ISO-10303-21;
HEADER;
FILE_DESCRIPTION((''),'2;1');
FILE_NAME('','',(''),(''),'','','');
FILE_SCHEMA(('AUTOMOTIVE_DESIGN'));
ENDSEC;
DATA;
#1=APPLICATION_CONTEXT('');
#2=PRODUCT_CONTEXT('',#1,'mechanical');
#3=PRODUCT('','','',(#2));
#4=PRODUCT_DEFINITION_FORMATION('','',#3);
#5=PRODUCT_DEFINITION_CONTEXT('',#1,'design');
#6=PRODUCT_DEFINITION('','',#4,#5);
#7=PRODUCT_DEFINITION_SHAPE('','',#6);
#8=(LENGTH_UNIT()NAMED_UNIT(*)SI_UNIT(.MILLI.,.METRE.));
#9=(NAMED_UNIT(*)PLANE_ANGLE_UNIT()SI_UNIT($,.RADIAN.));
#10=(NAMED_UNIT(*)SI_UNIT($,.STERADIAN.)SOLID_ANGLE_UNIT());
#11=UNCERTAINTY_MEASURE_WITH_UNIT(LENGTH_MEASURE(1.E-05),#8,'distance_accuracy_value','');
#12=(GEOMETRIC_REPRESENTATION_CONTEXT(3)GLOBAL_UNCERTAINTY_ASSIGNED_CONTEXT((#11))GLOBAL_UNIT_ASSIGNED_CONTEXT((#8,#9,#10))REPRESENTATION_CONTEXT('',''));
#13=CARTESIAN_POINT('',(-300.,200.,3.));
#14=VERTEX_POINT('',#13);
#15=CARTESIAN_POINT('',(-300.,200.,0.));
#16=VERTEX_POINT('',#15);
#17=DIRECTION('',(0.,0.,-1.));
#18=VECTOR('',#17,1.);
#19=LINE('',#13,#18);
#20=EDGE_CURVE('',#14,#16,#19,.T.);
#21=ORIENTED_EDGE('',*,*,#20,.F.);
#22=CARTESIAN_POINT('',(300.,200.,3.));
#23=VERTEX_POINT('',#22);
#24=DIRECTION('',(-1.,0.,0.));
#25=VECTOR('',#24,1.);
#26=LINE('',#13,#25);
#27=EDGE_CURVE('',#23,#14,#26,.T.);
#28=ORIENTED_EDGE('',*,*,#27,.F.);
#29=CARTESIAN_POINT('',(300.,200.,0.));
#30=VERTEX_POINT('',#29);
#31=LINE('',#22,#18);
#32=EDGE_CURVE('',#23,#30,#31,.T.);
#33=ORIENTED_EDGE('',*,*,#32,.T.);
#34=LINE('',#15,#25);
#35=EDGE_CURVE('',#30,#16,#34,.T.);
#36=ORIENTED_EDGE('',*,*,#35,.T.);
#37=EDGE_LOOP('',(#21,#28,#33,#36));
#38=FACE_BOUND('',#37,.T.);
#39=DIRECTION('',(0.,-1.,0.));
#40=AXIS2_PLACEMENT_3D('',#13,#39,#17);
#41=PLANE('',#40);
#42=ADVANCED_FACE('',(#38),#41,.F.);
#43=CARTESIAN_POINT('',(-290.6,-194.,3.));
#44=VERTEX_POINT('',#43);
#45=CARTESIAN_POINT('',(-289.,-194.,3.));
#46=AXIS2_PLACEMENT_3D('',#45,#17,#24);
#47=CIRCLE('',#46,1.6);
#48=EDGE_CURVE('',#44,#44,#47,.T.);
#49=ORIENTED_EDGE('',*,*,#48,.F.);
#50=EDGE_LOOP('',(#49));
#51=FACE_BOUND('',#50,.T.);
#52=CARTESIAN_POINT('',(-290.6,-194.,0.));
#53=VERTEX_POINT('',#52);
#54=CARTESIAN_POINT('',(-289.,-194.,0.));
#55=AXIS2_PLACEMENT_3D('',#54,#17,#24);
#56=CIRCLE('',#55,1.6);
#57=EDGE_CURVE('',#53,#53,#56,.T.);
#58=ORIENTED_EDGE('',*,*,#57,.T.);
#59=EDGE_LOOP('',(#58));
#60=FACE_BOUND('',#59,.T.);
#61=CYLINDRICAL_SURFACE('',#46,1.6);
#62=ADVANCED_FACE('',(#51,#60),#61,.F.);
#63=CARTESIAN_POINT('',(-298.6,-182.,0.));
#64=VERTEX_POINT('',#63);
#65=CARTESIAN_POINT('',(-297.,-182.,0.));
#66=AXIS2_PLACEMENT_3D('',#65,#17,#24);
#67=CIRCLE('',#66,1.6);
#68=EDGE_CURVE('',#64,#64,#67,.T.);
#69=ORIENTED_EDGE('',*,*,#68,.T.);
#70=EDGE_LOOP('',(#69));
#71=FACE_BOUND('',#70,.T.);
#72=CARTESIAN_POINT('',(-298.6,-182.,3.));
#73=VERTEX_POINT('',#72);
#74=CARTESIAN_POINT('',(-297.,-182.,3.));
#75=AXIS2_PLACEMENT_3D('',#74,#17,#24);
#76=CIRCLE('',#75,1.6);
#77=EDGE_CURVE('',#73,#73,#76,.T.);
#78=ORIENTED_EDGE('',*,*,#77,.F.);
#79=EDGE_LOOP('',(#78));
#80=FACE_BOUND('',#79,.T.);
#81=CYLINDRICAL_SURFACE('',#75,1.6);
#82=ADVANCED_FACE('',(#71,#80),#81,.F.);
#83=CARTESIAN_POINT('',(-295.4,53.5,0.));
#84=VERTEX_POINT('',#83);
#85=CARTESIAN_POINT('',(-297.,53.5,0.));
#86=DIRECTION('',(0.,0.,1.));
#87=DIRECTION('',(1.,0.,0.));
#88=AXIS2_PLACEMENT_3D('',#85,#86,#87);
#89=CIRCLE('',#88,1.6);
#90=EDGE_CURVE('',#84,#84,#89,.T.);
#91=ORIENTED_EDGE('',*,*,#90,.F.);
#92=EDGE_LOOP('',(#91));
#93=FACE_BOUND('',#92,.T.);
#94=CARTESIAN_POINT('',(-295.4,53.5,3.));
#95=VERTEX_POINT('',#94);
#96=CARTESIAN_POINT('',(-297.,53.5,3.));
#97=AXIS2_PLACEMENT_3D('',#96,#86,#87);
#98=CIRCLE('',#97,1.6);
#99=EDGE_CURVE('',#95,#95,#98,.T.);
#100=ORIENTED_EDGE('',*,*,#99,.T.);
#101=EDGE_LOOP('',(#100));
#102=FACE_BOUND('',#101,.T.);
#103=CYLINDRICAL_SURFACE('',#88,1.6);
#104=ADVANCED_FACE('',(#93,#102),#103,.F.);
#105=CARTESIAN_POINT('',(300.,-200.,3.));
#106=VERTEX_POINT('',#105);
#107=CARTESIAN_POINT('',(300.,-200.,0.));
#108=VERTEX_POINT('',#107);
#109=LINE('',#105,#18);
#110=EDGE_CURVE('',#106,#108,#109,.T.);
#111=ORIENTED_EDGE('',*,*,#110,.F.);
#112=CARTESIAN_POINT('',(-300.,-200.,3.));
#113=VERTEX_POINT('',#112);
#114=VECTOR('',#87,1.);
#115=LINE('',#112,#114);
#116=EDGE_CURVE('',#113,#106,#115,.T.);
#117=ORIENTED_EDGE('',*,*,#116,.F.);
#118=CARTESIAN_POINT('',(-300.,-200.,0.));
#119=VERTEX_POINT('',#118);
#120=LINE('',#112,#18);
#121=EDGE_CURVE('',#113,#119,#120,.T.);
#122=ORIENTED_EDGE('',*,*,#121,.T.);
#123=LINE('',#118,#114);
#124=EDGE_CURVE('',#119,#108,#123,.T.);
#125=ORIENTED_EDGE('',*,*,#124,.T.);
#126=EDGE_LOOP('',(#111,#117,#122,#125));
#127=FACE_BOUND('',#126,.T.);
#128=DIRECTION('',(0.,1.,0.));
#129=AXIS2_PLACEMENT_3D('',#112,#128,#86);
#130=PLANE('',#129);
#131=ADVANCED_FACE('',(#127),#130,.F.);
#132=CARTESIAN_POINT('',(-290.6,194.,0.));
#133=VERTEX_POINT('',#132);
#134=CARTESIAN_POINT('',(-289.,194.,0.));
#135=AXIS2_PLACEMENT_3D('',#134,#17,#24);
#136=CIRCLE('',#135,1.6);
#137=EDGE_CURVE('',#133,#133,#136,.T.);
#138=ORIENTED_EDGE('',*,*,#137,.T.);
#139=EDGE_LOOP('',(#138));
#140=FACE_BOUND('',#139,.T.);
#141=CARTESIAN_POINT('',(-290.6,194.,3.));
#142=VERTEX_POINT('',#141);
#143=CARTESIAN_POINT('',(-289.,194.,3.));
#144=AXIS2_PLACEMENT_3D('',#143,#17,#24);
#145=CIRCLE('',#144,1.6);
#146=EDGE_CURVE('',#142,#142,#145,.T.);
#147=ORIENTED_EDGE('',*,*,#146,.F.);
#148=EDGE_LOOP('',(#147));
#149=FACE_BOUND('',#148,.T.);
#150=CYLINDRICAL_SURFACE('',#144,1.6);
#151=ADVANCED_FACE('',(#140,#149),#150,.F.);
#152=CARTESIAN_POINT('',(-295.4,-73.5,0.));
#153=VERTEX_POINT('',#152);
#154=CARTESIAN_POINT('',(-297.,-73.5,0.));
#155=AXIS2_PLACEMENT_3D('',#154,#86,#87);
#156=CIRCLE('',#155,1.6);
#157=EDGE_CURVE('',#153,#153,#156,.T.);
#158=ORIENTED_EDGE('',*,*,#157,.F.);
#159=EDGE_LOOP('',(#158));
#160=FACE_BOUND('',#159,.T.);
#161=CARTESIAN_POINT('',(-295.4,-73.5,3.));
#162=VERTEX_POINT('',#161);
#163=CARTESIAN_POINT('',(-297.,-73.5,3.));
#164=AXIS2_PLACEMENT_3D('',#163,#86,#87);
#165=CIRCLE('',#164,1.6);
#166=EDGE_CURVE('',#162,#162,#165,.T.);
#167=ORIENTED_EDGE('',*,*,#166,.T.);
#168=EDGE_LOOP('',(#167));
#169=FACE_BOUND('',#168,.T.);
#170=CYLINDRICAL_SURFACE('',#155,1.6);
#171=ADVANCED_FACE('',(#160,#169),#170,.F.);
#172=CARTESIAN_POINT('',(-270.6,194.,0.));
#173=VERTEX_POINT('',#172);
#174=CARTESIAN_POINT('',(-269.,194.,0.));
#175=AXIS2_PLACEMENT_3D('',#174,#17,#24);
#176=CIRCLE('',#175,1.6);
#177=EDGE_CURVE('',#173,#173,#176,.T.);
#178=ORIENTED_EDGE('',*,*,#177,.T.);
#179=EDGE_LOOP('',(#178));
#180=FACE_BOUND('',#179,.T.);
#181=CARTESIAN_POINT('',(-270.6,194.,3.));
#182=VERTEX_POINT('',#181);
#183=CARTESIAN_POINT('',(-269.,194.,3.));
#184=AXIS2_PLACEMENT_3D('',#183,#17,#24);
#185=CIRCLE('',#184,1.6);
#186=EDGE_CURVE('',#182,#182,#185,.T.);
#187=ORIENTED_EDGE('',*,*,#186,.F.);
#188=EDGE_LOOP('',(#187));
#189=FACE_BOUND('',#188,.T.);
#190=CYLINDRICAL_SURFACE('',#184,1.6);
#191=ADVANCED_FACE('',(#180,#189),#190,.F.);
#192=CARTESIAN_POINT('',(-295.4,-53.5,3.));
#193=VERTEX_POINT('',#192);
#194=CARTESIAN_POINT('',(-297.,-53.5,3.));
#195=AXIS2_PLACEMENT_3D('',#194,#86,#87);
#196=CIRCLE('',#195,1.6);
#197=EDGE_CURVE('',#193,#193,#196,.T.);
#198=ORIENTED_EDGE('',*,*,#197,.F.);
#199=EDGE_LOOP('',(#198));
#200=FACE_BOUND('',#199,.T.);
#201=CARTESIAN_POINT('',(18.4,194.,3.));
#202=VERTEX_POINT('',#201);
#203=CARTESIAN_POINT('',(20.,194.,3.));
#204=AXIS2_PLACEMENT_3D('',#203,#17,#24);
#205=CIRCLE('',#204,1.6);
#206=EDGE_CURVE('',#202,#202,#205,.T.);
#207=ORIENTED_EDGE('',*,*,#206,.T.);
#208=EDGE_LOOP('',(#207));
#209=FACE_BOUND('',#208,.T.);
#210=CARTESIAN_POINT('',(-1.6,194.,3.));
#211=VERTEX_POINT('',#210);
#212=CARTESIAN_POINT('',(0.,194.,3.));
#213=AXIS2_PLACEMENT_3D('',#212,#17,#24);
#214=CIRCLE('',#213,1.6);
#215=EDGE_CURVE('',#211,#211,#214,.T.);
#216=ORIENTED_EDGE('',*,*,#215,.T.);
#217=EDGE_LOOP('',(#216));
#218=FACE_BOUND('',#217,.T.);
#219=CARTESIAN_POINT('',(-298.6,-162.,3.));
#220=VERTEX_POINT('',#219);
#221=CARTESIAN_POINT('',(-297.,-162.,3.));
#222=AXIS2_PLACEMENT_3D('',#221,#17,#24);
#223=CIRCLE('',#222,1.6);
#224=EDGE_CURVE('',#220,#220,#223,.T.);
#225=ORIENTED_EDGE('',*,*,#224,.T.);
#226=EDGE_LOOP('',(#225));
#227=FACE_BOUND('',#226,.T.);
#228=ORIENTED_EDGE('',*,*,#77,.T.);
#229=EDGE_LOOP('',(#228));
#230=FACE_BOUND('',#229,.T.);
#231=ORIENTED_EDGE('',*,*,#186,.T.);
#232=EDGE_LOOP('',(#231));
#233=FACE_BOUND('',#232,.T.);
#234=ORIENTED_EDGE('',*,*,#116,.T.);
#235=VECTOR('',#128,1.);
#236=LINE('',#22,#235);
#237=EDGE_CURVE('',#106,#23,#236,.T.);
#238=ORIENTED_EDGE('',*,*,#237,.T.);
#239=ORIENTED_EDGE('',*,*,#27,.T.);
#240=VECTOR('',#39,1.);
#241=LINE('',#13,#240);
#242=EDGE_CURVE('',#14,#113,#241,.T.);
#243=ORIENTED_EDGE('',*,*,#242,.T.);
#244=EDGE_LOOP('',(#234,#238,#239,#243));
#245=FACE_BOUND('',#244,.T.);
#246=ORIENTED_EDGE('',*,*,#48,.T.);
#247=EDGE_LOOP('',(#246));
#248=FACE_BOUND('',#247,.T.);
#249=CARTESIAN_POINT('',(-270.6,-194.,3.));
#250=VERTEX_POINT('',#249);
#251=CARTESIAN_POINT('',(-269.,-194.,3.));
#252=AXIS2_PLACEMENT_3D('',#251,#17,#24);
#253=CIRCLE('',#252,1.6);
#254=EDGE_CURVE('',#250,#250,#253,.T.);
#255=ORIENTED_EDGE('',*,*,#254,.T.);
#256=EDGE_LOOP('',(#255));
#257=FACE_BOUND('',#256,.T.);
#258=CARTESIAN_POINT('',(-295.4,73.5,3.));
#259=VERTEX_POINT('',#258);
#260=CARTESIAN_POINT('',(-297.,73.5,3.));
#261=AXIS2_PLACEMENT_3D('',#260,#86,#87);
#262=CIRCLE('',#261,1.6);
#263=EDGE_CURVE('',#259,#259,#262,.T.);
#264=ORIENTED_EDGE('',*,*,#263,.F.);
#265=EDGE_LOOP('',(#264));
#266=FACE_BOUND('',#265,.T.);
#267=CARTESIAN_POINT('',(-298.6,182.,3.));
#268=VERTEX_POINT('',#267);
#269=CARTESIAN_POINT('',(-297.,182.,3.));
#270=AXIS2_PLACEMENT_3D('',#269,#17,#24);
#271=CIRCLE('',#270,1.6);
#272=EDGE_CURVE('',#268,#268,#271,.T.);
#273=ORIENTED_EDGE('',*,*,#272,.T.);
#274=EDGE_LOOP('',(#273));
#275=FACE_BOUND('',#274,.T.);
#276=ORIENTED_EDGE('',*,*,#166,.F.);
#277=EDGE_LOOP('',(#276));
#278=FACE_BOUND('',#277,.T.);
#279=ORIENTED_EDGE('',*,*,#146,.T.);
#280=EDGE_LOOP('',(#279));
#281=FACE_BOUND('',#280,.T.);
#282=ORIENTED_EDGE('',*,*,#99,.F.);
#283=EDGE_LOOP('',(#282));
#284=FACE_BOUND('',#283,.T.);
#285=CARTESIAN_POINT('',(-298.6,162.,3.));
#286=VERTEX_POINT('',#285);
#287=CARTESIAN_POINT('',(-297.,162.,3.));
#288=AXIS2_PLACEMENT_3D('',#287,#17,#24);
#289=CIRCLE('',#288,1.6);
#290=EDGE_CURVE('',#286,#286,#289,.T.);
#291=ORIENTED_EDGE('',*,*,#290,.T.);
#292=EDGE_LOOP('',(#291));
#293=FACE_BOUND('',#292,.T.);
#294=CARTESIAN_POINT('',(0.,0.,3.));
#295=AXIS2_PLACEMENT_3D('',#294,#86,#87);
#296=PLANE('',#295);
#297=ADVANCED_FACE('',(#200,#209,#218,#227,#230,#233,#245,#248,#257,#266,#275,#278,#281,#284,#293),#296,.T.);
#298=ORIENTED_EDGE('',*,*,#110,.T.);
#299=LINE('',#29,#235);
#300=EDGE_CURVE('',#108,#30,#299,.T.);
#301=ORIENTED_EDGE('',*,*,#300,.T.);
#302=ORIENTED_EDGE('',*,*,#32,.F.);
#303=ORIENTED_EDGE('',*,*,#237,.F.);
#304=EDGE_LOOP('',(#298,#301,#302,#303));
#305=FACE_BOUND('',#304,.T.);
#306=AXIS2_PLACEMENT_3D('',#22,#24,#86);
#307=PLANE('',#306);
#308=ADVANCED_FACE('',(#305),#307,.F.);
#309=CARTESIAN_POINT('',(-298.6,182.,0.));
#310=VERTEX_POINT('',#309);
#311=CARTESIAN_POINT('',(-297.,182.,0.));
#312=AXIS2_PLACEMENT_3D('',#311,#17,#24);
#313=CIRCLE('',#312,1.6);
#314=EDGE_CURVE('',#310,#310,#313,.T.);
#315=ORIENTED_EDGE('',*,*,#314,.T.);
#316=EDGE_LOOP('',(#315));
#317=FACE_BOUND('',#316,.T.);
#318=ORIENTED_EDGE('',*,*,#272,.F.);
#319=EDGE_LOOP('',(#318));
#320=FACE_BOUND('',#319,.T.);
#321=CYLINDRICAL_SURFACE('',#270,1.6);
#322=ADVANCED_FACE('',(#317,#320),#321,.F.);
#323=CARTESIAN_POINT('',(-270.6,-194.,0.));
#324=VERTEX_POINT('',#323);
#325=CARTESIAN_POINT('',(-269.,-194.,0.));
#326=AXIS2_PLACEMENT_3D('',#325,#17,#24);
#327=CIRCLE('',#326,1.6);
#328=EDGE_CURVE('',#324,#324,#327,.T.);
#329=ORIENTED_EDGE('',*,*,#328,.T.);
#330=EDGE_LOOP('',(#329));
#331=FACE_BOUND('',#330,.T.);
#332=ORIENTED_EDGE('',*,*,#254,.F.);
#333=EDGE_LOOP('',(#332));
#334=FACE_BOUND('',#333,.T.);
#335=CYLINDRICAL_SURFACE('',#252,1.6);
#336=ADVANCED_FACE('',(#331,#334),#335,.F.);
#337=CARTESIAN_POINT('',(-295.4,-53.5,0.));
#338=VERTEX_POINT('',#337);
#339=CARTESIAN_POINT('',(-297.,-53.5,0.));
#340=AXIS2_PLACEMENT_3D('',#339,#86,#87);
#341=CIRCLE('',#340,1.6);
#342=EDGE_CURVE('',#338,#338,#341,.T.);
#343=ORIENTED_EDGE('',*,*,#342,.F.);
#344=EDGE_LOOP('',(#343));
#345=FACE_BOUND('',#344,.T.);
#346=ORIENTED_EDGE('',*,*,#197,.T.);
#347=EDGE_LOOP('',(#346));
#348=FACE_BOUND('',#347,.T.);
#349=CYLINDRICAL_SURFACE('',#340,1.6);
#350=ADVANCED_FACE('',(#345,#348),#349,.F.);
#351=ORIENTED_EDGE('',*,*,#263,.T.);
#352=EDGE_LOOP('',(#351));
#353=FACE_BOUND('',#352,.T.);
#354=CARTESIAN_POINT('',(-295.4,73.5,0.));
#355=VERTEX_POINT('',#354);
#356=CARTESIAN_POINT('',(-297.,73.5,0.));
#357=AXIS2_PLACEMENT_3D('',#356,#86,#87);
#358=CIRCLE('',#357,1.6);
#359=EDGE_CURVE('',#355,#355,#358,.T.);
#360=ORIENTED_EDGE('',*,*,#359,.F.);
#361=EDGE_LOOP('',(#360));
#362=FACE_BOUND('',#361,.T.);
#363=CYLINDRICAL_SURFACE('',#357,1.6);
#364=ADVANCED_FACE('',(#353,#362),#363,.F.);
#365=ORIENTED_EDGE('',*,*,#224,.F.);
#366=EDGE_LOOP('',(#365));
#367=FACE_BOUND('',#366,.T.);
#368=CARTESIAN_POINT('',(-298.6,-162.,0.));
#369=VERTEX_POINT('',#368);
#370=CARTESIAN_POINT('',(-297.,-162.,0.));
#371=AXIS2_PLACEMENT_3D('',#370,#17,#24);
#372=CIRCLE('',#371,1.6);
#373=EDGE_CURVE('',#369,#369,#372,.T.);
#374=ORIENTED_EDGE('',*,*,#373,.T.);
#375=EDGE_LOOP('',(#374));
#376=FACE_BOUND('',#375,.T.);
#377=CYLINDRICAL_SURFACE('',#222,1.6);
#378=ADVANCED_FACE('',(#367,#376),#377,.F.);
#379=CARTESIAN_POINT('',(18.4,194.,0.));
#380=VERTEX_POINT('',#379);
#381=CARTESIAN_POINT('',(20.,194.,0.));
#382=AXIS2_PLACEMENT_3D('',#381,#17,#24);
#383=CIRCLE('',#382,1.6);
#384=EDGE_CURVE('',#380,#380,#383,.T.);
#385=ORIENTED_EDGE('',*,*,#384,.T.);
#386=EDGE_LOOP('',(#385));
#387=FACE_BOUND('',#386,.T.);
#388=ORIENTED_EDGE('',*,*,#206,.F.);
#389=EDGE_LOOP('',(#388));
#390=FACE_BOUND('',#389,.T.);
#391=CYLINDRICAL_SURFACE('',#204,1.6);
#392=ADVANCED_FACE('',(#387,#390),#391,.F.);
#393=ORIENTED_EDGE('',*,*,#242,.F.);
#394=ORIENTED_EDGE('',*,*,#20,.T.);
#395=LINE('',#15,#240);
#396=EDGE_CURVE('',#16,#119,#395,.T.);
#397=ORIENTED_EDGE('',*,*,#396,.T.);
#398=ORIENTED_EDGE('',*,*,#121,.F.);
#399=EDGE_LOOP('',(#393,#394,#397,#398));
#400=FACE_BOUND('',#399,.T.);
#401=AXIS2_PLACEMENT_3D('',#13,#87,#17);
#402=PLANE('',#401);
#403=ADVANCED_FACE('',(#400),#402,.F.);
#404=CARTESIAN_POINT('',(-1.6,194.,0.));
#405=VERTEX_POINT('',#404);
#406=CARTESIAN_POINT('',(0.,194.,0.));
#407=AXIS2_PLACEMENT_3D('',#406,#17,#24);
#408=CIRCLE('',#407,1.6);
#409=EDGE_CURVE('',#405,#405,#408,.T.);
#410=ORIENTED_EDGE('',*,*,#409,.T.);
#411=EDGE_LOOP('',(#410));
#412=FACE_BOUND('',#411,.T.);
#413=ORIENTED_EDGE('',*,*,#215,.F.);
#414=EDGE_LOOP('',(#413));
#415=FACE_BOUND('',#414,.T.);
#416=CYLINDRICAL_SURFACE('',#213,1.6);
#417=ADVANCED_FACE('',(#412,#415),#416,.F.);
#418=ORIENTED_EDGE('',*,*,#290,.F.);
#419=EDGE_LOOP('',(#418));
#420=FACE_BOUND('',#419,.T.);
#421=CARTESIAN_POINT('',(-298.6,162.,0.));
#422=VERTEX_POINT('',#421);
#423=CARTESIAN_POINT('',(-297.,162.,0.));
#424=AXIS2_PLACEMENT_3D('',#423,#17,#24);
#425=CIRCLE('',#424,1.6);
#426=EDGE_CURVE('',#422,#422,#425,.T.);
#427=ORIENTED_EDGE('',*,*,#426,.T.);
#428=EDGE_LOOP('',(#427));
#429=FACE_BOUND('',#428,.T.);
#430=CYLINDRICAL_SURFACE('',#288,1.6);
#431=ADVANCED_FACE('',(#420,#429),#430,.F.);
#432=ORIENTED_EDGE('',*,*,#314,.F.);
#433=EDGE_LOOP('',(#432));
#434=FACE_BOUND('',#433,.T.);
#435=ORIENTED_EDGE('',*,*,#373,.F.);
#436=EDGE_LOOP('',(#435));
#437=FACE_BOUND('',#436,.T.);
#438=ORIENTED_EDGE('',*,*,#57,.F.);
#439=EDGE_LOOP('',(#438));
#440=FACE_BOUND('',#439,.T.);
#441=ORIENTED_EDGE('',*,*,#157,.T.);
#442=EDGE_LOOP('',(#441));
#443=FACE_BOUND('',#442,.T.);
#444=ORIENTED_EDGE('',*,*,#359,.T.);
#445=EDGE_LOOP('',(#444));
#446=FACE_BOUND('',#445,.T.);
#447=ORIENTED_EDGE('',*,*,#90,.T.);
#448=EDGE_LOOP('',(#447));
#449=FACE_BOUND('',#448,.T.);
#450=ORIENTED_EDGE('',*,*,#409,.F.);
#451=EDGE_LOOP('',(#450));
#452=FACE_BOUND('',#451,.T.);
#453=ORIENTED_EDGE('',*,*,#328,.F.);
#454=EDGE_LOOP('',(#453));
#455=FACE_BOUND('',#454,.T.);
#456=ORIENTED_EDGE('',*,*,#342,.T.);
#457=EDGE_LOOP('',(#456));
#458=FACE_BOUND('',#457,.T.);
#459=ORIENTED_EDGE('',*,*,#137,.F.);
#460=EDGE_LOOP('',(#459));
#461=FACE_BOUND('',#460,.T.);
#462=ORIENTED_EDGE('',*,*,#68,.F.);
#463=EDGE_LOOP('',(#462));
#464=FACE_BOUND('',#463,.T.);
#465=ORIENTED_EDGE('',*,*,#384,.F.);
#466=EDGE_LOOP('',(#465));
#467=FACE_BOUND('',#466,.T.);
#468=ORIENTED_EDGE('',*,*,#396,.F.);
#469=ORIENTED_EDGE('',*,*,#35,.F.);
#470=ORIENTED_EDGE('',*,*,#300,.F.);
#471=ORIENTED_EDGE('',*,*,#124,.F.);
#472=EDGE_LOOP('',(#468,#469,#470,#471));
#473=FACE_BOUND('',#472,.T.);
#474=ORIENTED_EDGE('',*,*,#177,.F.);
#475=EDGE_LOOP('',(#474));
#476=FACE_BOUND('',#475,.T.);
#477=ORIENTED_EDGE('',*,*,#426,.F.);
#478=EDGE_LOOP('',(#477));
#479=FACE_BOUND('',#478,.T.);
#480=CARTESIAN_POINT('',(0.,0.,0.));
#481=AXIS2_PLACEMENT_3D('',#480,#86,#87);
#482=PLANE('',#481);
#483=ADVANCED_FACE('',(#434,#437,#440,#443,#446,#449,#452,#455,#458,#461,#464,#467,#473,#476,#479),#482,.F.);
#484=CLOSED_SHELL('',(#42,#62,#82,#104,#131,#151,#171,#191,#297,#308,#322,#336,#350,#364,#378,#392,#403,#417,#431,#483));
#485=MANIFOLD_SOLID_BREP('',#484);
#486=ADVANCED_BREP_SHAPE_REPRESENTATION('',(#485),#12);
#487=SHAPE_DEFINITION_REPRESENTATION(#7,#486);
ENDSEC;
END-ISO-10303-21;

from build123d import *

# Parameters (mm, degrees)
SKETCH_1_W          = 600
SKETCH_1_H          = 400
EXTRUDE_1_DEPTH     = 3
SKETCH_3_R          = 1.6
CUT_EXTRUDE_1_DEPTH = 361.567608085
SKETCH_4_R          = 1.6
CUT_EXTRUDE_2_DEPTH = 361.567608085
SKETCH_5_R          = 1.6
CUT_EXTRUDE_3_DEPTH = 361.567608085


with BuildPart() as part:
    # 草图1 → 凸台-拉伸1 (new body)
    with BuildSketch(Plane.XY):
        Rectangle(SKETCH_1_W, SKETCH_1_H)
    extrude(amount=EXTRUDE_1_DEPTH)

    # 草图3 → 切除-拉伸1 (cut, through all)
    with BuildSketch(Plane(origin=(0, 0, 0), x_dir=(-1, 0, 0), z_dir=(0, 0, -1))):
        with Locations((269, -194)):
            Circle(SKETCH_3_R)
        with Locations((289, -194)):
            Circle(SKETCH_3_R)
        with Locations((297, -182)):
            Circle(SKETCH_3_R)
        with Locations((297, -162)):
            Circle(SKETCH_3_R)
        with Locations((297, 162)):
            Circle(SKETCH_3_R)
        with Locations((297, 182)):
            Circle(SKETCH_3_R)
        with Locations((289, 194)):
            Circle(SKETCH_3_R)
        with Locations((269, 194)):
            Circle(SKETCH_3_R)
    extrude(amount=-CUT_EXTRUDE_1_DEPTH, mode=Mode.SUBTRACT)

    # 草图4 → 切除-拉伸2 (cut, through all)
    with BuildSketch(Plane(origin=(0, 0, 0), x_dir=(-1, 0, 0), z_dir=(0, 0, -1))):
        with Locations((0, 194)):
            Circle(SKETCH_4_R)
        with Locations((-20, 194)):
            Circle(SKETCH_4_R)
    extrude(amount=-CUT_EXTRUDE_2_DEPTH, mode=Mode.SUBTRACT)

    # 草图5 → 切除-拉伸3 (cut, through all)
    with BuildSketch(Plane.XY.offset(3)):
        with Locations((-297, 73.5)):
            Circle(SKETCH_5_R)
        with Locations((-297, 53.5)):
            Circle(SKETCH_5_R)
        with Locations((-297, -53.5)):
            Circle(SKETCH_5_R)
        with Locations((-297, -73.5)):
            Circle(SKETCH_5_R)
    extrude(amount=-CUT_EXTRUDE_3_DEPTH, mode=Mode.SUBTRACT)


solid = part.part
